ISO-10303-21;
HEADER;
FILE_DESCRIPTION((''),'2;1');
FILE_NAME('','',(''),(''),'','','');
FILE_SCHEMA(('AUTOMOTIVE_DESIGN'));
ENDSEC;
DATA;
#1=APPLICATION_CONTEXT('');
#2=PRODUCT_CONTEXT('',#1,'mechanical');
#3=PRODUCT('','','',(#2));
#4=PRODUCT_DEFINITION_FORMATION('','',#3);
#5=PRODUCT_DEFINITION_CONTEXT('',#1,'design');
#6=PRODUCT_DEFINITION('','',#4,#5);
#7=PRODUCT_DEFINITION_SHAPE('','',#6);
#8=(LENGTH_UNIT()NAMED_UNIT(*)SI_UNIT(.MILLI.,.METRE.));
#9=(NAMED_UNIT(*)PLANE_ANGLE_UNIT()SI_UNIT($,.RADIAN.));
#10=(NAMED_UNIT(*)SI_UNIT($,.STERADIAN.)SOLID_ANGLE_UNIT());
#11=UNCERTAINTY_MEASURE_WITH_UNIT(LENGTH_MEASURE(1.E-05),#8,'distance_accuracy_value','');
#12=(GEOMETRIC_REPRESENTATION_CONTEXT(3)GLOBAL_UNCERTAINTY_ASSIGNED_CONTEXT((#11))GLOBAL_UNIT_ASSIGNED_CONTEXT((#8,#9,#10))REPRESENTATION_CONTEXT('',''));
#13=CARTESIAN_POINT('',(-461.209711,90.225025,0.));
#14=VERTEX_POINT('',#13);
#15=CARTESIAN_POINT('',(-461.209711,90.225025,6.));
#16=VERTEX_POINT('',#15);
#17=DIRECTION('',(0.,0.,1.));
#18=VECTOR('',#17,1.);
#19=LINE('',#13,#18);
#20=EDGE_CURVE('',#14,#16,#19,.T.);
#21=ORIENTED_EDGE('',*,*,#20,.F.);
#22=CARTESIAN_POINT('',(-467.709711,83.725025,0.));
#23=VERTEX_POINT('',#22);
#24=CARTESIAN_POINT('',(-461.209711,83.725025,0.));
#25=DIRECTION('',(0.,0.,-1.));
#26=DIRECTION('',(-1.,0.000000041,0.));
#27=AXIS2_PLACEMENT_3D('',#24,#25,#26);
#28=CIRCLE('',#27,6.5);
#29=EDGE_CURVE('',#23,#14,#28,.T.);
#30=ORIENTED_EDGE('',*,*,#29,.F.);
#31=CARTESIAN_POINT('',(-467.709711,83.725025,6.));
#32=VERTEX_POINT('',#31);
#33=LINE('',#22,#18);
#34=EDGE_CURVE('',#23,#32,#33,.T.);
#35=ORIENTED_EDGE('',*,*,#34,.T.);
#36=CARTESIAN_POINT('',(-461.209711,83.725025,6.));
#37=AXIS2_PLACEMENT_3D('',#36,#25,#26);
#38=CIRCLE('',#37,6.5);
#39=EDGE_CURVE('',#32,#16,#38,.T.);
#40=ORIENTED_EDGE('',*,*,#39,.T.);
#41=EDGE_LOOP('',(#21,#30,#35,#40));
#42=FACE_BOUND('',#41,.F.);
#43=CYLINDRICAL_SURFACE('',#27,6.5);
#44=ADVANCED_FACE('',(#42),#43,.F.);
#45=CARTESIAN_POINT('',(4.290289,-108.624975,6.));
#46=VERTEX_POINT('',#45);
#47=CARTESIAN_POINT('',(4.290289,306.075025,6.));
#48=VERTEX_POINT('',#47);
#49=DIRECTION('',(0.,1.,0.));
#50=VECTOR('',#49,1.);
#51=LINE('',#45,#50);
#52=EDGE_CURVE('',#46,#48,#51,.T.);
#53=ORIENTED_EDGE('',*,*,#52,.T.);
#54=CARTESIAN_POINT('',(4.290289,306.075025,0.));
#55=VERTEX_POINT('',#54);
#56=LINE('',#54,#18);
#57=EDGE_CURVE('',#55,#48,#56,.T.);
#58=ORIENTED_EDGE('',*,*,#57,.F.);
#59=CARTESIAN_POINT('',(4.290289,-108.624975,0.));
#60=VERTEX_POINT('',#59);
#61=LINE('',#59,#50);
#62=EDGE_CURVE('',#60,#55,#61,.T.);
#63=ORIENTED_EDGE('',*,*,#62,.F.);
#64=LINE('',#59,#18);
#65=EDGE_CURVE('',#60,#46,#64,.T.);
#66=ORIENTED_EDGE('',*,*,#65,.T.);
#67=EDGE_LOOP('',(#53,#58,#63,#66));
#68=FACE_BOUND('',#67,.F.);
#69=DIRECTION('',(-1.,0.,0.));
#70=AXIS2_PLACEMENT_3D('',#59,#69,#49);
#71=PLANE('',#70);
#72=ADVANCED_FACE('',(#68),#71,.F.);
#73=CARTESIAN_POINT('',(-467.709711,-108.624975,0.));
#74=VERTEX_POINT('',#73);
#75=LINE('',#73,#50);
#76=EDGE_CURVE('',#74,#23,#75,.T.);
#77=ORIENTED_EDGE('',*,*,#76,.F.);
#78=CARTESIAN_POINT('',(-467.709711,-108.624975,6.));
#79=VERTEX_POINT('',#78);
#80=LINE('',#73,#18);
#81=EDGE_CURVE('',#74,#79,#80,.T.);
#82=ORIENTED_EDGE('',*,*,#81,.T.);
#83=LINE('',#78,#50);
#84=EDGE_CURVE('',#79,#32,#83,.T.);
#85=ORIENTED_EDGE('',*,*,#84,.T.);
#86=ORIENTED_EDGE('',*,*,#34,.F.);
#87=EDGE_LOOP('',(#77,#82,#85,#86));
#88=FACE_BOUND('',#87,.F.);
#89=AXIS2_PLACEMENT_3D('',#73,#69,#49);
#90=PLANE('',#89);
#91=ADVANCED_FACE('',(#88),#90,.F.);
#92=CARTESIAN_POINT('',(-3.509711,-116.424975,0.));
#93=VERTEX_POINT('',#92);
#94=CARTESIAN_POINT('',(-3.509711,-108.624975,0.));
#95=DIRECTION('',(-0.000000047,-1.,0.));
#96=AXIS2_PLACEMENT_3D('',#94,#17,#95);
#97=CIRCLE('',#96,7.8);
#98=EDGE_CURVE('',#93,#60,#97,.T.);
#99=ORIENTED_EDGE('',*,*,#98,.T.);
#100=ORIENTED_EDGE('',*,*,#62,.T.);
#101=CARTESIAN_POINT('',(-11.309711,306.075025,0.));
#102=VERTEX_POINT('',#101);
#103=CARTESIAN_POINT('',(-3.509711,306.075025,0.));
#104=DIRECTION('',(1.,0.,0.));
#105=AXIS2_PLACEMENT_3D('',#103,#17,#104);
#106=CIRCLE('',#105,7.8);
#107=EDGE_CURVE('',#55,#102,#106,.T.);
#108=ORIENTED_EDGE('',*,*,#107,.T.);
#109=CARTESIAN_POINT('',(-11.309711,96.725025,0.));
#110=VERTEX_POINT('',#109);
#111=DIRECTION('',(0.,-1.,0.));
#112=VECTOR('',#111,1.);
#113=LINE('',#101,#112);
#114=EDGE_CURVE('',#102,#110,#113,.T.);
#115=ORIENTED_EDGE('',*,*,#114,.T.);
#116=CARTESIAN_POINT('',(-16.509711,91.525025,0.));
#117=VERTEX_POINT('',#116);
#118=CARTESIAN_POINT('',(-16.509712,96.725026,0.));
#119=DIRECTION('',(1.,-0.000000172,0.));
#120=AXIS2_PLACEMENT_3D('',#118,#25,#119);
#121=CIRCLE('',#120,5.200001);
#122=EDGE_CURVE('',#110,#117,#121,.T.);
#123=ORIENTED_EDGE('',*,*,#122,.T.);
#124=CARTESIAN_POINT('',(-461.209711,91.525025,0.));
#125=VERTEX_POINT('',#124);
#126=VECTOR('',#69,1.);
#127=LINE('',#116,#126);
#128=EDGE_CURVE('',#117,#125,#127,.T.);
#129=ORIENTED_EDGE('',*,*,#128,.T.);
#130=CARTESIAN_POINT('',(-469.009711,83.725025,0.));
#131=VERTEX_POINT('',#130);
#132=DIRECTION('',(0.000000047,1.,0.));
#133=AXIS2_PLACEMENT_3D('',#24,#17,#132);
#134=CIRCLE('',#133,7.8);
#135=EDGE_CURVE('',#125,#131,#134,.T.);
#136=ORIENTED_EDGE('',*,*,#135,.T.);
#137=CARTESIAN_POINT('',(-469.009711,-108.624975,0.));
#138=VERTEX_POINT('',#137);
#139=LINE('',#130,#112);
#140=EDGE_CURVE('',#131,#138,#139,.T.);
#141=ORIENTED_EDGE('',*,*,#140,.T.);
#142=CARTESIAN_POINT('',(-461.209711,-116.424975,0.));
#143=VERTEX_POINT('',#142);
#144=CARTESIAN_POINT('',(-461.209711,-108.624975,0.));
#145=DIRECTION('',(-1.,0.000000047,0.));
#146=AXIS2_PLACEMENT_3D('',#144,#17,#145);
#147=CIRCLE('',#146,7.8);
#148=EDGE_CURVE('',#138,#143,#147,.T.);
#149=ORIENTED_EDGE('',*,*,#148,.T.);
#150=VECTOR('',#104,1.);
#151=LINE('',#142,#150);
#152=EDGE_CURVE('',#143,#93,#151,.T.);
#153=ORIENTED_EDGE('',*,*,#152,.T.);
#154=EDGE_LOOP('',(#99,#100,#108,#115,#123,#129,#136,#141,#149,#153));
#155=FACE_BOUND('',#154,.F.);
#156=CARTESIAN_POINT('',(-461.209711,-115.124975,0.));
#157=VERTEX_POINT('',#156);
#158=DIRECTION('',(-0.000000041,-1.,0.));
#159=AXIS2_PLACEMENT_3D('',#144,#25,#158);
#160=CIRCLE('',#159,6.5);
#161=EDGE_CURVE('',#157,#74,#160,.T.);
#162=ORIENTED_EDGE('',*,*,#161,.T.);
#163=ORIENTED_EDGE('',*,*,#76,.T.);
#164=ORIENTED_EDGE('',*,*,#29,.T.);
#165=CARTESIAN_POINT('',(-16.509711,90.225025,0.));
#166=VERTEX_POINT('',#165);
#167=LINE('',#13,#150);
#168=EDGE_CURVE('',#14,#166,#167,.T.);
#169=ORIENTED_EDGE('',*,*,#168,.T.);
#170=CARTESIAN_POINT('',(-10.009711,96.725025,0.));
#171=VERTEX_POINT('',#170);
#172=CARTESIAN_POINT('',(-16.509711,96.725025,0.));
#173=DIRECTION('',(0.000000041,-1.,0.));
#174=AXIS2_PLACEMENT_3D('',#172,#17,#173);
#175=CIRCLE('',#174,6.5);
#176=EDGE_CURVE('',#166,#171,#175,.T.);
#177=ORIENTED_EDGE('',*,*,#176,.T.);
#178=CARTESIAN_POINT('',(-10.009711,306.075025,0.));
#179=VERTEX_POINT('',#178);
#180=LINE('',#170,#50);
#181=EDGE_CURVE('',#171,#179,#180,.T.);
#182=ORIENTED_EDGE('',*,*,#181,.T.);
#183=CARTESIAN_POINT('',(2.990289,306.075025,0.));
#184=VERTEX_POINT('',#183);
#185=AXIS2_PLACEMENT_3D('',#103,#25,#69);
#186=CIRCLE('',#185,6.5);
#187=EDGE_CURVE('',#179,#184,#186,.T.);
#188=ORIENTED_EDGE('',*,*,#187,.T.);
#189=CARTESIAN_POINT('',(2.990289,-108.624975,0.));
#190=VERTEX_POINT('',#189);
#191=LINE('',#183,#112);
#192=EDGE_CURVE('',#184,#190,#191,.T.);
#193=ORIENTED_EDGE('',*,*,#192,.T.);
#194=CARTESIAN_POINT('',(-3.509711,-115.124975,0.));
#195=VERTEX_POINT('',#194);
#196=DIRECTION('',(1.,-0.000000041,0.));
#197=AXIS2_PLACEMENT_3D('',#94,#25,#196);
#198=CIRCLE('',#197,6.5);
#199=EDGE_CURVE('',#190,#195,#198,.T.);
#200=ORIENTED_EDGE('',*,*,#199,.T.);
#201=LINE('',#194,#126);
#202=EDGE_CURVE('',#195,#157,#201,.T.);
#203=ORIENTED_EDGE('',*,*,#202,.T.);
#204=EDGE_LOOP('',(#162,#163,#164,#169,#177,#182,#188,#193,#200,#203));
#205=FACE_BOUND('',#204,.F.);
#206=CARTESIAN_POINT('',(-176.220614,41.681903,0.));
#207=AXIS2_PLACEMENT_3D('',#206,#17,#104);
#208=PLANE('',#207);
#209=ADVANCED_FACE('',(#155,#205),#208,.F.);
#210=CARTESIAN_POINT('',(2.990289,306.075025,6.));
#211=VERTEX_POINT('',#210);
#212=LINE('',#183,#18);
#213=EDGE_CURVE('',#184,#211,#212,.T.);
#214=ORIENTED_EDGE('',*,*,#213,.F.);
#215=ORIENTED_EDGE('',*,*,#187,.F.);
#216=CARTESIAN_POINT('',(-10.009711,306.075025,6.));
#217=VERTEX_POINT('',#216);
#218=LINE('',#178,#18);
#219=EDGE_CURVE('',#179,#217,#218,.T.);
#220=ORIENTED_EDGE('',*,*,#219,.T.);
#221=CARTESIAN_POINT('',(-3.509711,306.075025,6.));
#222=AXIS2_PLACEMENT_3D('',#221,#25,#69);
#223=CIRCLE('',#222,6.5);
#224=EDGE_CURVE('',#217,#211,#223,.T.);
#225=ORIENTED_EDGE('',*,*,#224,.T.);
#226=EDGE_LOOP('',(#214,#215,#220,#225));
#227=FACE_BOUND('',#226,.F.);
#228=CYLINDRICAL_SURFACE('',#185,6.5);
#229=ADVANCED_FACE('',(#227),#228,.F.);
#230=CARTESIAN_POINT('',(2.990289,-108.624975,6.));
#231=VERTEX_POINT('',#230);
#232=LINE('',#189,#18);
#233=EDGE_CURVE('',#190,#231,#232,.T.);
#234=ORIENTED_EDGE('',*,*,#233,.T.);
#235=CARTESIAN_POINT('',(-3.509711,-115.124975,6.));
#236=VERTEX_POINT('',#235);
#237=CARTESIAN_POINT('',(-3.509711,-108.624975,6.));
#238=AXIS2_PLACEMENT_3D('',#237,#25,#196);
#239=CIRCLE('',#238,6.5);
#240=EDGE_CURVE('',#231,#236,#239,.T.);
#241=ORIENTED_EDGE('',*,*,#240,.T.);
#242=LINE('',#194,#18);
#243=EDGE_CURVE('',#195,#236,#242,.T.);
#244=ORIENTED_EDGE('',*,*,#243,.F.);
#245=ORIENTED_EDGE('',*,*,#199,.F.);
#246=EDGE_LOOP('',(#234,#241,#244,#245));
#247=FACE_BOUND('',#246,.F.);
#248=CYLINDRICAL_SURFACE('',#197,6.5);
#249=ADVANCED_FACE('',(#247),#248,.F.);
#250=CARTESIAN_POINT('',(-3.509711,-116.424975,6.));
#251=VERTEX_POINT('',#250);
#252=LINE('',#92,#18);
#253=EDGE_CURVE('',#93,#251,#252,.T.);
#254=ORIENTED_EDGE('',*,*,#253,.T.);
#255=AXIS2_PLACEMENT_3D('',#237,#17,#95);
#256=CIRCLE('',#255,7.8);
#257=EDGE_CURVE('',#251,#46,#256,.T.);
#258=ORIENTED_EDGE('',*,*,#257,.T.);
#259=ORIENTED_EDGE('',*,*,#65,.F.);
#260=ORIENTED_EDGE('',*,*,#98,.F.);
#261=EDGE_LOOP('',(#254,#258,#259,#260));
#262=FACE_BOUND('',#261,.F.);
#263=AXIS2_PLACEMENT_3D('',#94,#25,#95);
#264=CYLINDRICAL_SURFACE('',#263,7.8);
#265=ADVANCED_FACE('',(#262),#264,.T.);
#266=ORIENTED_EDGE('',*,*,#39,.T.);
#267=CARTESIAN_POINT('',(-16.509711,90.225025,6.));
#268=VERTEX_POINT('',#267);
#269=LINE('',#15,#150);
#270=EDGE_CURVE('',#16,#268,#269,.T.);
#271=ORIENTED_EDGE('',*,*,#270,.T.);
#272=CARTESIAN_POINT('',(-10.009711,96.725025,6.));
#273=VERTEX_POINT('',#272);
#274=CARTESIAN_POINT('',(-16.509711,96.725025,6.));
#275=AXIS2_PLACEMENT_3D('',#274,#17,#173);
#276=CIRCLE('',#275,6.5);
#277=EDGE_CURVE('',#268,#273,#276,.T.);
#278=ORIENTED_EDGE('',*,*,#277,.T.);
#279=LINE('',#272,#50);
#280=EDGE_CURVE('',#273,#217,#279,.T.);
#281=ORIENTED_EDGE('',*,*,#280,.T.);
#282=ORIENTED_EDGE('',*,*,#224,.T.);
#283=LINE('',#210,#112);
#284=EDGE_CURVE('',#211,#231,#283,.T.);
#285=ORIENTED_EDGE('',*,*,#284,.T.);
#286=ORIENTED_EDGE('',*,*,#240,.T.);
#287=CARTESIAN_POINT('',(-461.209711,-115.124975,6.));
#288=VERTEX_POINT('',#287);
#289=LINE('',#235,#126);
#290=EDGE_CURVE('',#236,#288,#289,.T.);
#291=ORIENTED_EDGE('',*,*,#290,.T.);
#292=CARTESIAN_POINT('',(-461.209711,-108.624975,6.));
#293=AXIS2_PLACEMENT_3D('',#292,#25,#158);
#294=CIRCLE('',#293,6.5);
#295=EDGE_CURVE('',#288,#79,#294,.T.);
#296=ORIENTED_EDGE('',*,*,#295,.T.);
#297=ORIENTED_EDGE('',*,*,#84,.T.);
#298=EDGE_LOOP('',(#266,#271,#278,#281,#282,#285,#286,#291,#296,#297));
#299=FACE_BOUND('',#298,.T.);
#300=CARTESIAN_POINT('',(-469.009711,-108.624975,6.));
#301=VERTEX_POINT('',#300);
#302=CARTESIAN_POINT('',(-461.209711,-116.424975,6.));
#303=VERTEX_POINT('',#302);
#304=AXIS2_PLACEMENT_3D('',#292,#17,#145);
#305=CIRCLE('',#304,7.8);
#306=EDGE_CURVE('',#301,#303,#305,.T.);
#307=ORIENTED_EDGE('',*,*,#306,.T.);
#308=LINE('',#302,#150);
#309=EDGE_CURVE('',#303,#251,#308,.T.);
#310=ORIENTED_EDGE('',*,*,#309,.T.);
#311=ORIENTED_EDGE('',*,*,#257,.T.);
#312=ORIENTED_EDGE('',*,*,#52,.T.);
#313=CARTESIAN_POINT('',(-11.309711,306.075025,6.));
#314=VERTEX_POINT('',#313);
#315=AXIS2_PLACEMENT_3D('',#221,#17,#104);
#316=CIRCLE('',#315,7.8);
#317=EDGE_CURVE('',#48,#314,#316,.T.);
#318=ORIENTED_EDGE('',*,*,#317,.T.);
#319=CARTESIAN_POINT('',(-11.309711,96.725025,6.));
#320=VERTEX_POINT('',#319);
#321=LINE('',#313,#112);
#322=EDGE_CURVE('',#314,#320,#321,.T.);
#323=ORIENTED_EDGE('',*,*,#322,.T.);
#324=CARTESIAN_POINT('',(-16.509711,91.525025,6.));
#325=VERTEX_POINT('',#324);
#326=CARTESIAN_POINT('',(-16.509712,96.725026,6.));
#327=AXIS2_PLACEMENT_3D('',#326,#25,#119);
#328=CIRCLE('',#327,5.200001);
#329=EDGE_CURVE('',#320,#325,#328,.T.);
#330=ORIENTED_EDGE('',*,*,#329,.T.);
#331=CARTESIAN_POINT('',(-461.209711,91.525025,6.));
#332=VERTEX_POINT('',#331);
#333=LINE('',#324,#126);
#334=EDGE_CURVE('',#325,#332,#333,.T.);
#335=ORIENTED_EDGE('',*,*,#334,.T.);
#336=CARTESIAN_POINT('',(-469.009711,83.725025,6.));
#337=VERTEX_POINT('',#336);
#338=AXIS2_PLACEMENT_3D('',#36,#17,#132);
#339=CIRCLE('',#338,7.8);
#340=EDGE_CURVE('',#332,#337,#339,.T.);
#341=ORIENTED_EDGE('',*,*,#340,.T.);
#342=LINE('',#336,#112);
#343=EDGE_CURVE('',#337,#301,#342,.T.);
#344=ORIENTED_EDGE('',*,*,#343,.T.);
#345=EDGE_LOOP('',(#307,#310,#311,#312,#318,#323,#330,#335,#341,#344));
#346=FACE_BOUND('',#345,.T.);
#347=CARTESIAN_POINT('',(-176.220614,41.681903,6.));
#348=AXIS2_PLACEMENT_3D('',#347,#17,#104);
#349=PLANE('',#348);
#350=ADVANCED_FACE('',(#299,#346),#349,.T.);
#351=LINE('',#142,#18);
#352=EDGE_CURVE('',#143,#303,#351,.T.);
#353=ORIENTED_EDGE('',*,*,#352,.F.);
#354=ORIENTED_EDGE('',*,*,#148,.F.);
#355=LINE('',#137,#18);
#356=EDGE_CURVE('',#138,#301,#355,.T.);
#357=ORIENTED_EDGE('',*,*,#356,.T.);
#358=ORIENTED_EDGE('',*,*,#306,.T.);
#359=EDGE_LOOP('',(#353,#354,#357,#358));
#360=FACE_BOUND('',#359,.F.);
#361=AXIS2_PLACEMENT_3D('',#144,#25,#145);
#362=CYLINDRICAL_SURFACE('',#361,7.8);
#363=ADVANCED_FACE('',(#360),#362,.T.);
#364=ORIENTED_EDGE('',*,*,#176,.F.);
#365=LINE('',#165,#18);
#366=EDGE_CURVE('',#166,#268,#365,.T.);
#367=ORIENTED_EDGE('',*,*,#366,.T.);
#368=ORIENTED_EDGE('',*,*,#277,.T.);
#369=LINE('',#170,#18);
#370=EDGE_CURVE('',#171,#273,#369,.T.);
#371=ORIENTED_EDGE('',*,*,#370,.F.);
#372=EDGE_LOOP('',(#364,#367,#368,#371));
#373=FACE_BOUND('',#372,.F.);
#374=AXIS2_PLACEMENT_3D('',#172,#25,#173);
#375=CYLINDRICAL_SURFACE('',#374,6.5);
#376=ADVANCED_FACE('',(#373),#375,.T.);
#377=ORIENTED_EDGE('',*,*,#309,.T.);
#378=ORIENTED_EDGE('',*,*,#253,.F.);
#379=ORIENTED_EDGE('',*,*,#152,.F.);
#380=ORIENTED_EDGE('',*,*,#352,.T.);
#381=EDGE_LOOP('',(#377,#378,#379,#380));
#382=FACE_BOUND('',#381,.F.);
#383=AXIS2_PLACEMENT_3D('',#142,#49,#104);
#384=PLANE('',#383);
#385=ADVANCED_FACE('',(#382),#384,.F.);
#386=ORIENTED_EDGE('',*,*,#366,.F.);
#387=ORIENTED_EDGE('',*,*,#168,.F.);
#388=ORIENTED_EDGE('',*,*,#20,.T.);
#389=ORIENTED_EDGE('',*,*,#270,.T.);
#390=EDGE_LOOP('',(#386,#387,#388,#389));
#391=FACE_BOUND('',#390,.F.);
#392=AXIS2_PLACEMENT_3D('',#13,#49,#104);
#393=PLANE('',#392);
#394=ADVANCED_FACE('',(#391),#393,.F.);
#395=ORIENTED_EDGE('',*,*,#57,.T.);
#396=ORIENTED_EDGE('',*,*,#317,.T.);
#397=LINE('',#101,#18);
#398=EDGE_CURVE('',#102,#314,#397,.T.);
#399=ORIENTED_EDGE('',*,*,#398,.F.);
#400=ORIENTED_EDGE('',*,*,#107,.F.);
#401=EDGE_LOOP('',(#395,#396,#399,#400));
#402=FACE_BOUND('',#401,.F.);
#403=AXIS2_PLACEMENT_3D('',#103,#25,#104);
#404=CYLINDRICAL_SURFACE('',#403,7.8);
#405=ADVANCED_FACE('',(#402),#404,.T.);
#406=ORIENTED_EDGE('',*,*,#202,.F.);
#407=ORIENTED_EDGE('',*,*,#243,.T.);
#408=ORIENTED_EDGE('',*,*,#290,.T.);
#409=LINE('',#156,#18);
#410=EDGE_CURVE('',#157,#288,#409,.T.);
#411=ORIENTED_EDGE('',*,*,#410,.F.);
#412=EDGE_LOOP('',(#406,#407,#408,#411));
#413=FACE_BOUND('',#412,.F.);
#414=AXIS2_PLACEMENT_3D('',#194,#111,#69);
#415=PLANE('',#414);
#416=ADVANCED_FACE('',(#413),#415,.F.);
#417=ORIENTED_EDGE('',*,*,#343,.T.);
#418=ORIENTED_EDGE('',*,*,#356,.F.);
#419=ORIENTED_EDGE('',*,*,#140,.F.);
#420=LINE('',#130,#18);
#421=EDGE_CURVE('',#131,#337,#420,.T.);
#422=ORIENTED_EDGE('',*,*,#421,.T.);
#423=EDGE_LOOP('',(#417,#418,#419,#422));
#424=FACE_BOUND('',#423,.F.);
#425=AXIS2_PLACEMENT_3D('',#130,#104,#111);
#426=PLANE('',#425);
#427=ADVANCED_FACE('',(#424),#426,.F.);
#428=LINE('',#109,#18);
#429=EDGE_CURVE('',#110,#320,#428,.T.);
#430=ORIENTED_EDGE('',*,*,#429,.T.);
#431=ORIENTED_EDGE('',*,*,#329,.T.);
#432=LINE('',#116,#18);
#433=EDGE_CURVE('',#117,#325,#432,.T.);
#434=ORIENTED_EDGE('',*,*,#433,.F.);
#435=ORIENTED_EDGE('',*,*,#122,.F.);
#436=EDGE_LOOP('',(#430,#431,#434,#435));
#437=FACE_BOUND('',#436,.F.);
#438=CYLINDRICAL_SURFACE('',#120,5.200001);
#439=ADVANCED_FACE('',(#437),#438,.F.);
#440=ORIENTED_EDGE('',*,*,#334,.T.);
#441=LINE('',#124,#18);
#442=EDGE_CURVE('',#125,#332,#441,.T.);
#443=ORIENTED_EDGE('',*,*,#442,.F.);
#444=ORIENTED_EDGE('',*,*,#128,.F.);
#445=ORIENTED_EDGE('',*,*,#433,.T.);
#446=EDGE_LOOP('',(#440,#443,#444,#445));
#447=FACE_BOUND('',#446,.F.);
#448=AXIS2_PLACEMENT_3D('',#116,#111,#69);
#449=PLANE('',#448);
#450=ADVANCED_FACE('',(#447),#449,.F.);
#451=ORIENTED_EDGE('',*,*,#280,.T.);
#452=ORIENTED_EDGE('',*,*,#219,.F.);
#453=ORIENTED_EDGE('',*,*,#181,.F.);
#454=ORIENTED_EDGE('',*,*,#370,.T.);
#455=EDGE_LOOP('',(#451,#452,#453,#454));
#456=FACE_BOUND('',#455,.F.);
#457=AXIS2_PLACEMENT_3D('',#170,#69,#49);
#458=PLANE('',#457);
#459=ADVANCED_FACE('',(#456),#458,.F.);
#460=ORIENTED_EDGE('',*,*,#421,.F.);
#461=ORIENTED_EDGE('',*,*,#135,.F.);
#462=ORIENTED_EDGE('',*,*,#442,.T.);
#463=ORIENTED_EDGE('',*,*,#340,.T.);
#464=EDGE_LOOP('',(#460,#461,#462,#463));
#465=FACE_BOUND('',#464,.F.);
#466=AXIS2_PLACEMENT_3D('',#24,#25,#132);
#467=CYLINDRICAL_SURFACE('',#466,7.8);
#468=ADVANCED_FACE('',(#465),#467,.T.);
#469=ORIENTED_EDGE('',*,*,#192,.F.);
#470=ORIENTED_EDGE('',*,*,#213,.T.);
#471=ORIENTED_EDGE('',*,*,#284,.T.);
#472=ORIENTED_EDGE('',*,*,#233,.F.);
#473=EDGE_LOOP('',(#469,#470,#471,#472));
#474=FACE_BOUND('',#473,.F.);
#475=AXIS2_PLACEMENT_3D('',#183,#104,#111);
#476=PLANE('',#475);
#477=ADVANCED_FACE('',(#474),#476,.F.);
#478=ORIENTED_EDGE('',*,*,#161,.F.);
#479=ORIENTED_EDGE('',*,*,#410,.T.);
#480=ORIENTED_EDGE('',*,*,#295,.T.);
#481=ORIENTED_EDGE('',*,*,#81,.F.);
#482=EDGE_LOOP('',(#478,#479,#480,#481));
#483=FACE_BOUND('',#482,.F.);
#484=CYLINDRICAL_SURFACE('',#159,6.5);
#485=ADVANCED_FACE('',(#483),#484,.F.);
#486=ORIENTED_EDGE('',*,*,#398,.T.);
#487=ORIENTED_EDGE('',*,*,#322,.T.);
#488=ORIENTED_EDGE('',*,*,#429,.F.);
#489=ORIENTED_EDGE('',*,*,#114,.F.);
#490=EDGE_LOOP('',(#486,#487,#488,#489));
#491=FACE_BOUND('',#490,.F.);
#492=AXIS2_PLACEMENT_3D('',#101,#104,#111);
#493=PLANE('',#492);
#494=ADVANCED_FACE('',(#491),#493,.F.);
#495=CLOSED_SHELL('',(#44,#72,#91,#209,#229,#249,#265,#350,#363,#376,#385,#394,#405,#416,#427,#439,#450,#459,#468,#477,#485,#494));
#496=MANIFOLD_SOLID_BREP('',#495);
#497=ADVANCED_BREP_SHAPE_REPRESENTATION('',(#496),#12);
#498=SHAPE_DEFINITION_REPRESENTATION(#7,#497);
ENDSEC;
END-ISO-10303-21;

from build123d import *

# Parameters (mm, degrees)
F1_DEPTH = 6


with BuildPart() as f1:
    # F0 (on Top) → F1 (new body)
    with BuildSketch(Plane.XY):
        with BuildLine():
            Line((4.290289, -108.624975), (4.290289, 306.075025))
            ThreePointArc((4.290289, 306.075025), (-3.509711, 313.875025), (-11.309711, 306.075025))
            Line((-11.309711, 306.075025), (-11.309711, 96.725025))
            ThreePointArc((-11.309711, 96.725025), (-12.832756, 93.04807), (-16.509711, 91.525025))
            Line((-16.509711, 91.525025), (-441.135317, 91.525025))
            Line((-441.135317, 91.525025), (-461.209711, 91.525025))
            ThreePointArc((-461.209711, 91.525025), (-466.725144, 89.240458), (-469.009711, 83.725025))
            Line((-469.009711, 83.725025), (-469.009711, -108.624975))
            ThreePointArc((-469.009711, -108.624975), (-466.725144, -114.140408), (-461.209711, -116.424975))
            Line((-461.209711, -116.424975), (-3.509711, -116.424975))
            ThreePointArc((-3.509711, -116.424975), (2.005722, -114.140408), (4.290289, -108.624975))
        make_face()
        with BuildLine():
            ThreePointArc((-10.009711, 306.075025), (-3.509711, 312.575025), (2.990289, 306.075025))
            Line((2.990289, 306.075025), (2.990289, -108.624975))
            ThreePointArc((2.990289, -108.624975), (1.086483, -113.221169), (-3.509711, -115.124975))
            Line((-3.509711, -115.124975), (-461.209711, -115.124975))
            ThreePointArc((-461.209711, -115.124975), (-465.805905, -113.221169), (-467.709711, -108.624975))
            Line((-467.709711, -108.624975), (-467.709711, 83.725025))
            ThreePointArc((-467.709711, 83.725025), (-465.805905, 88.321219), (-461.209711, 90.225025))
            Line((-461.209711, 90.225025), (-244.859711, 90.225025))
            Line((-244.859711, 90.225025), (-16.509711, 90.225025))
            ThreePointArc((-16.509711, 90.225025), (-11.913517, 92.128831), (-10.009711, 96.725025))
            Line((-10.009711, 96.725025), (-10.009711, 306.075025))
        make_face(mode=Mode.SUBTRACT)
    extrude(amount=F1_DEPTH)


solid = f1.part
